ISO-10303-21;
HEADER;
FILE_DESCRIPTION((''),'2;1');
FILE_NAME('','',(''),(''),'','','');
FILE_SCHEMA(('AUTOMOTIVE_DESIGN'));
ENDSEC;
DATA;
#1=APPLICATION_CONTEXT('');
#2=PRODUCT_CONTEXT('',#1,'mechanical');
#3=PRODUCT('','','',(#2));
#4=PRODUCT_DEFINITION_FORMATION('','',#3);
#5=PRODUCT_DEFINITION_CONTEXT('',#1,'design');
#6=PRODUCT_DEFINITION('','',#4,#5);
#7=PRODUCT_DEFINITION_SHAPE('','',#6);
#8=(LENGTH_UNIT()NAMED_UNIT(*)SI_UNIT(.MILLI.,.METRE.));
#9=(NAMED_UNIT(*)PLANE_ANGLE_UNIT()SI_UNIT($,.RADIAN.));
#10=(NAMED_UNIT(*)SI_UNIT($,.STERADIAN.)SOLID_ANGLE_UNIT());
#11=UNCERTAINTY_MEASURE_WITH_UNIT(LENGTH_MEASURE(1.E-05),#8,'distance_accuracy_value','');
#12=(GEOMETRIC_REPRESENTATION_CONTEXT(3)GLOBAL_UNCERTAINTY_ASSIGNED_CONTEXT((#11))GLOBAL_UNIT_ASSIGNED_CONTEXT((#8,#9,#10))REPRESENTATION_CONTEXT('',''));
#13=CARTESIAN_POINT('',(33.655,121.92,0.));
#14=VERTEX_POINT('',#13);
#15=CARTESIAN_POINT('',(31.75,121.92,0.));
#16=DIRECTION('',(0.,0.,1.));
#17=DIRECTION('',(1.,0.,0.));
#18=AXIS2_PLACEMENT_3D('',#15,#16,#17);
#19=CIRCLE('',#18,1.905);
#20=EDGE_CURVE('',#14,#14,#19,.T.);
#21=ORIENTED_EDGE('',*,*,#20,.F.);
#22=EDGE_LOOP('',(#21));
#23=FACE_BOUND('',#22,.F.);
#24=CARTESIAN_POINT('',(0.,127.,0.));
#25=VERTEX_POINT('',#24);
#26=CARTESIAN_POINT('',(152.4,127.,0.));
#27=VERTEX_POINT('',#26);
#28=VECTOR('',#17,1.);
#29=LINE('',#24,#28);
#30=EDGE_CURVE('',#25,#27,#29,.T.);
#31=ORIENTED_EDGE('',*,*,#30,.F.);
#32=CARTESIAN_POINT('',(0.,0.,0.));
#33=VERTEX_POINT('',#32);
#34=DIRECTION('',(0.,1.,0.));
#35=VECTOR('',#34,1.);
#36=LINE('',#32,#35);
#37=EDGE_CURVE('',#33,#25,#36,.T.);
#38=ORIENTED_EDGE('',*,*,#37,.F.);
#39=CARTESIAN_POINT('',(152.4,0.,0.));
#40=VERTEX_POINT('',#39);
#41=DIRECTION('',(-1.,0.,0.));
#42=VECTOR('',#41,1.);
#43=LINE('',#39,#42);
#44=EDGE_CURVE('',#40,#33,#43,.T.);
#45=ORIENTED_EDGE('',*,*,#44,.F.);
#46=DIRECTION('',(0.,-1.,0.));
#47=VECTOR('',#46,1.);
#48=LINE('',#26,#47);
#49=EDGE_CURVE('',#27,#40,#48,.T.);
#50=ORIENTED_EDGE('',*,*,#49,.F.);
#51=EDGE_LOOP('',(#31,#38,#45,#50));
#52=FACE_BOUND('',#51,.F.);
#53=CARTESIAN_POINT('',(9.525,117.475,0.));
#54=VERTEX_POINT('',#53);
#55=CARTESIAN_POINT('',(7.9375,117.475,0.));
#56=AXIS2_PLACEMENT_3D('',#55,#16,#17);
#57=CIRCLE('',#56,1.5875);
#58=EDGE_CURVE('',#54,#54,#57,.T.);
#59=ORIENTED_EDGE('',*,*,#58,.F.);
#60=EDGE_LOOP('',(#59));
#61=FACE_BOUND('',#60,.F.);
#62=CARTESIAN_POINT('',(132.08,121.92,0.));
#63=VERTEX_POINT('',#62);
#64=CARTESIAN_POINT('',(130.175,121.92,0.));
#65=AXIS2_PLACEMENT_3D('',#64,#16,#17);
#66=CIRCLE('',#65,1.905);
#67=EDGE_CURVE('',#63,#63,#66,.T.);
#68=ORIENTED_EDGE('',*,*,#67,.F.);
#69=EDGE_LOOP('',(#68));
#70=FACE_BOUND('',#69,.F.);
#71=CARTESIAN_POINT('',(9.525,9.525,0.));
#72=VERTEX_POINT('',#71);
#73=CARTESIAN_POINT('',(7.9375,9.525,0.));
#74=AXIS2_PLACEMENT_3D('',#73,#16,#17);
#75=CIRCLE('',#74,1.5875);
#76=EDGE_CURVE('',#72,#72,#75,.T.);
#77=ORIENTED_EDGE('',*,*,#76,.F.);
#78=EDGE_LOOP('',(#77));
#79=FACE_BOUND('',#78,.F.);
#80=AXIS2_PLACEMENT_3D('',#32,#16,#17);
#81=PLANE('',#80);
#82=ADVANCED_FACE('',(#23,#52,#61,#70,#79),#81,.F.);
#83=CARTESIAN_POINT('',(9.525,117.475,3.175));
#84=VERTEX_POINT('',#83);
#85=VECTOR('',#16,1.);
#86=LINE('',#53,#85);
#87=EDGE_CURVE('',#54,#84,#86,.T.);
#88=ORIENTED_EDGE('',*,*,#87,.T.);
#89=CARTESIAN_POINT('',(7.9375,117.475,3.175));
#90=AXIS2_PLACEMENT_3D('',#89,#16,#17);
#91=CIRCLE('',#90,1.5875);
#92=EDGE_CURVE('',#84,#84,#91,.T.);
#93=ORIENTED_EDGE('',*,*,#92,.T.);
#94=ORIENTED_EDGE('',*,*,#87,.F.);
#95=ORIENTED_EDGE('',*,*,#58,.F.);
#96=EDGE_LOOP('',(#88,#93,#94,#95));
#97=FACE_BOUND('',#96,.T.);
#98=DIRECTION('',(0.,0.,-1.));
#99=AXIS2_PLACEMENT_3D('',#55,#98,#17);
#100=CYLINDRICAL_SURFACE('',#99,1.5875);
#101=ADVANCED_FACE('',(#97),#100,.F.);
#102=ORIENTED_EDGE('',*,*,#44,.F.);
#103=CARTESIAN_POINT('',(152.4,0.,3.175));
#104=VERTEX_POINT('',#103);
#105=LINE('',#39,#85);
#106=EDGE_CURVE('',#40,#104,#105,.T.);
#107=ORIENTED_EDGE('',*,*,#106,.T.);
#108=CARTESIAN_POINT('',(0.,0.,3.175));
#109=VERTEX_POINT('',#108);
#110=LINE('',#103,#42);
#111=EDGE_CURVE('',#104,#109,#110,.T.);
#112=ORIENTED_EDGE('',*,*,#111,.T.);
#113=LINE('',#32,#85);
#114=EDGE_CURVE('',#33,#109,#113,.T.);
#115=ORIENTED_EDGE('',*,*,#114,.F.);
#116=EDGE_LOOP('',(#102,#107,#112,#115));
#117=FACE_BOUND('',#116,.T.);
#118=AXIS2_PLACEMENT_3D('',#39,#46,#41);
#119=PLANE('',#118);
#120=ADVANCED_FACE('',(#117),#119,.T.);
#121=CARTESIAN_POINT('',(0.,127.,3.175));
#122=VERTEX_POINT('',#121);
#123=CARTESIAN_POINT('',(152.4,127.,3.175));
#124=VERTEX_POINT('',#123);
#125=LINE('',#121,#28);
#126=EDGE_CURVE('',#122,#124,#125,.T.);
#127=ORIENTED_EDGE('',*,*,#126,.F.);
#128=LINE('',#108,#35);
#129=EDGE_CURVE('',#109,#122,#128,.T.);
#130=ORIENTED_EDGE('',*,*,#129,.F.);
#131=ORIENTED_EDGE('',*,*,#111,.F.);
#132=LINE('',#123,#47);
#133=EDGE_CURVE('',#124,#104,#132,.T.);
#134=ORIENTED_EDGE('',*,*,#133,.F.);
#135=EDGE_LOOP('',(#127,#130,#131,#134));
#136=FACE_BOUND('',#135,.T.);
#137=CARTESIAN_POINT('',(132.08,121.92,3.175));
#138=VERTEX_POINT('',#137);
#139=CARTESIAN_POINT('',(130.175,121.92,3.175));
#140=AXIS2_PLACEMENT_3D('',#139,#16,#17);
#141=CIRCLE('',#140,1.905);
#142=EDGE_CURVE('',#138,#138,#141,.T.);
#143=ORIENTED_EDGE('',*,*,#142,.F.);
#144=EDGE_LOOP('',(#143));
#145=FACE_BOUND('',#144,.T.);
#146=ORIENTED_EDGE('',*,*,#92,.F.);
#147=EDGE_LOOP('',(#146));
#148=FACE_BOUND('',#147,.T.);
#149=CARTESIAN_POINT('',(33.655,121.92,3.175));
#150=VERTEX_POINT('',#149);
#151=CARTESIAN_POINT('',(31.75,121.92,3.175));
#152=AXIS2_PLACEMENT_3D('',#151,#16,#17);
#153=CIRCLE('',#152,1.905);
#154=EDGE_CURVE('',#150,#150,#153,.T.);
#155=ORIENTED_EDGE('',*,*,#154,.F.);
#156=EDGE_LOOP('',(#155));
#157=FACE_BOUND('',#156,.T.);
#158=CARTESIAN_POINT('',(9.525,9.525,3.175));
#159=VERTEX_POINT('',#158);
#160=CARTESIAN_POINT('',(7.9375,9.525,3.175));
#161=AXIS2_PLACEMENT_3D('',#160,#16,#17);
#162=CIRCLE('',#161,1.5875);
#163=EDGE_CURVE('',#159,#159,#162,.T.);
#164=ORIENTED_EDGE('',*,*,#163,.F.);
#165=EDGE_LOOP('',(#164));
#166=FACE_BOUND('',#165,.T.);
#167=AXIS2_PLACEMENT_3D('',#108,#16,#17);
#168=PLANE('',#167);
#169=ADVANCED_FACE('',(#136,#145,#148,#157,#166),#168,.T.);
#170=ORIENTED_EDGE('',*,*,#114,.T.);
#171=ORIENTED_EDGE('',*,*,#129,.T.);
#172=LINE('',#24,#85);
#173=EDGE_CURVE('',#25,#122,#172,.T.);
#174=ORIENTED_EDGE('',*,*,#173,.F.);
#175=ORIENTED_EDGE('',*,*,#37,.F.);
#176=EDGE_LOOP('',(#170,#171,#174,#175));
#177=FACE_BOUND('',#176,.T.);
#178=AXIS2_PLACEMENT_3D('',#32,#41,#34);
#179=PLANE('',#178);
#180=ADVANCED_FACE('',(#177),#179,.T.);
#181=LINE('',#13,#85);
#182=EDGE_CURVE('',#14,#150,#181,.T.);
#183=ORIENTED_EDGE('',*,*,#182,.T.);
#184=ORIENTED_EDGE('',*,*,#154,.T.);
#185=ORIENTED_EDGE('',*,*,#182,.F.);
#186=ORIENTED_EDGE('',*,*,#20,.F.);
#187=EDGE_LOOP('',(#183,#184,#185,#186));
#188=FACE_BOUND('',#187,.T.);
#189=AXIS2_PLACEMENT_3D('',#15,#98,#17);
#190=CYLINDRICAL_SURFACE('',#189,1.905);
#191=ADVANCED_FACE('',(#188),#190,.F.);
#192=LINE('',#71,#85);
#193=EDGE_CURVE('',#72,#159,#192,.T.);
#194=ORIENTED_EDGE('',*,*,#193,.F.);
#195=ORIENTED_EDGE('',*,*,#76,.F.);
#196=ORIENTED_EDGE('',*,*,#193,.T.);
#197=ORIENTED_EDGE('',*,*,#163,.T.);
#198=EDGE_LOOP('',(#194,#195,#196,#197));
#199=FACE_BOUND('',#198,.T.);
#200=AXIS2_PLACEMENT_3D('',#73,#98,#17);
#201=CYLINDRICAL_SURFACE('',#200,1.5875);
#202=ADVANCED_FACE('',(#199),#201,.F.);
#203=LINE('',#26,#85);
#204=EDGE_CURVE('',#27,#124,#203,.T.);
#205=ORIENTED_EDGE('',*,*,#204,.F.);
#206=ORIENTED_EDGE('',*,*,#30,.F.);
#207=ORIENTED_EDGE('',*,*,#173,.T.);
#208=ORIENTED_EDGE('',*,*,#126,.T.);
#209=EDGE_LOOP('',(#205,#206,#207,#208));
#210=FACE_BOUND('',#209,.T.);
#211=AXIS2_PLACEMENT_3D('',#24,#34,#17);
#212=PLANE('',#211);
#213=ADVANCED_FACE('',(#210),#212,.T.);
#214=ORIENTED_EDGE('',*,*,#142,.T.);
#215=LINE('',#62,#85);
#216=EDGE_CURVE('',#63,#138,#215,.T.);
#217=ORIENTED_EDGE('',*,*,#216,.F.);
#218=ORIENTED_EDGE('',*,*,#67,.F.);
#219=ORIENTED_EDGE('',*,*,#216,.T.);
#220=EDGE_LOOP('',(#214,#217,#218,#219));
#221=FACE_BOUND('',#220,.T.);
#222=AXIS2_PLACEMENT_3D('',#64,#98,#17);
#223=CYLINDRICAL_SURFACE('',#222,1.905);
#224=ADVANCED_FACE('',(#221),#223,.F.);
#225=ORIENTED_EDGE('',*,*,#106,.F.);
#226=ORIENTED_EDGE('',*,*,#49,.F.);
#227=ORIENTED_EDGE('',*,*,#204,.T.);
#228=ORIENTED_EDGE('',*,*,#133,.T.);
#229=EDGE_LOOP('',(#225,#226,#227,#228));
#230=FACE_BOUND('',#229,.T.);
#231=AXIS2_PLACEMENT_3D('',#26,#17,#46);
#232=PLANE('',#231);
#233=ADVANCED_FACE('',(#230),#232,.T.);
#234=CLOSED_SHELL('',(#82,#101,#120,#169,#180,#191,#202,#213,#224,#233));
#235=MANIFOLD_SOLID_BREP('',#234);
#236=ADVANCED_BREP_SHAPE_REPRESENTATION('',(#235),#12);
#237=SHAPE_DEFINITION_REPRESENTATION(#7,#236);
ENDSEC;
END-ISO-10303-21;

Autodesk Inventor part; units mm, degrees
ref_plane "YZ Plane" through (0, 0, 0) normal (1, 0, 0) x (0, 1, 0)
ref_plane "XZ Plane" through (0, 0, 0) normal (0, 1, 0) x (-1, 0, 0)
ref_plane "XY Plane" through (0, 0, 0) normal (0, 0, 1) x (1, 0, 0)
sketch "Sketch1" plane through (0, 0, 0) normal (0, 0, 1) x (1, 0, 0)
  line L0 (0, 0) -> (0, 127)
  line L1 (0, 127) -> (152.4, 127)
  line L2 (152.4, 127) -> (152.4, 0)
  line L3 (152.4, 0) -> (0, 0)
  line L4 (0, 121.92) -> (152.4, 121.92) construction
  circle A0 centre (31.75, 121.92) radius 1.905
  circle A1 centre (7.9375, 117.475) radius 1.5875 projected
  circle A2 centre (7.9375, 9.525) radius 1.5875 projected
  circle A3 centre (130.175, 121.92) radius 1.905
  dimension "d0" = 127
  dimension "d1" = 152.4
  dimension "d4" = 5.08
  dimension "d5" = 3.81
  dimension "d6" = 31.75
  dimension "d7" = 22.225
extrude "Extrusion1" add sketch "Sketch1" along normal blind 3.175
properties part number "Wheel Shield 1" material "Polycarbonate, Clear"
